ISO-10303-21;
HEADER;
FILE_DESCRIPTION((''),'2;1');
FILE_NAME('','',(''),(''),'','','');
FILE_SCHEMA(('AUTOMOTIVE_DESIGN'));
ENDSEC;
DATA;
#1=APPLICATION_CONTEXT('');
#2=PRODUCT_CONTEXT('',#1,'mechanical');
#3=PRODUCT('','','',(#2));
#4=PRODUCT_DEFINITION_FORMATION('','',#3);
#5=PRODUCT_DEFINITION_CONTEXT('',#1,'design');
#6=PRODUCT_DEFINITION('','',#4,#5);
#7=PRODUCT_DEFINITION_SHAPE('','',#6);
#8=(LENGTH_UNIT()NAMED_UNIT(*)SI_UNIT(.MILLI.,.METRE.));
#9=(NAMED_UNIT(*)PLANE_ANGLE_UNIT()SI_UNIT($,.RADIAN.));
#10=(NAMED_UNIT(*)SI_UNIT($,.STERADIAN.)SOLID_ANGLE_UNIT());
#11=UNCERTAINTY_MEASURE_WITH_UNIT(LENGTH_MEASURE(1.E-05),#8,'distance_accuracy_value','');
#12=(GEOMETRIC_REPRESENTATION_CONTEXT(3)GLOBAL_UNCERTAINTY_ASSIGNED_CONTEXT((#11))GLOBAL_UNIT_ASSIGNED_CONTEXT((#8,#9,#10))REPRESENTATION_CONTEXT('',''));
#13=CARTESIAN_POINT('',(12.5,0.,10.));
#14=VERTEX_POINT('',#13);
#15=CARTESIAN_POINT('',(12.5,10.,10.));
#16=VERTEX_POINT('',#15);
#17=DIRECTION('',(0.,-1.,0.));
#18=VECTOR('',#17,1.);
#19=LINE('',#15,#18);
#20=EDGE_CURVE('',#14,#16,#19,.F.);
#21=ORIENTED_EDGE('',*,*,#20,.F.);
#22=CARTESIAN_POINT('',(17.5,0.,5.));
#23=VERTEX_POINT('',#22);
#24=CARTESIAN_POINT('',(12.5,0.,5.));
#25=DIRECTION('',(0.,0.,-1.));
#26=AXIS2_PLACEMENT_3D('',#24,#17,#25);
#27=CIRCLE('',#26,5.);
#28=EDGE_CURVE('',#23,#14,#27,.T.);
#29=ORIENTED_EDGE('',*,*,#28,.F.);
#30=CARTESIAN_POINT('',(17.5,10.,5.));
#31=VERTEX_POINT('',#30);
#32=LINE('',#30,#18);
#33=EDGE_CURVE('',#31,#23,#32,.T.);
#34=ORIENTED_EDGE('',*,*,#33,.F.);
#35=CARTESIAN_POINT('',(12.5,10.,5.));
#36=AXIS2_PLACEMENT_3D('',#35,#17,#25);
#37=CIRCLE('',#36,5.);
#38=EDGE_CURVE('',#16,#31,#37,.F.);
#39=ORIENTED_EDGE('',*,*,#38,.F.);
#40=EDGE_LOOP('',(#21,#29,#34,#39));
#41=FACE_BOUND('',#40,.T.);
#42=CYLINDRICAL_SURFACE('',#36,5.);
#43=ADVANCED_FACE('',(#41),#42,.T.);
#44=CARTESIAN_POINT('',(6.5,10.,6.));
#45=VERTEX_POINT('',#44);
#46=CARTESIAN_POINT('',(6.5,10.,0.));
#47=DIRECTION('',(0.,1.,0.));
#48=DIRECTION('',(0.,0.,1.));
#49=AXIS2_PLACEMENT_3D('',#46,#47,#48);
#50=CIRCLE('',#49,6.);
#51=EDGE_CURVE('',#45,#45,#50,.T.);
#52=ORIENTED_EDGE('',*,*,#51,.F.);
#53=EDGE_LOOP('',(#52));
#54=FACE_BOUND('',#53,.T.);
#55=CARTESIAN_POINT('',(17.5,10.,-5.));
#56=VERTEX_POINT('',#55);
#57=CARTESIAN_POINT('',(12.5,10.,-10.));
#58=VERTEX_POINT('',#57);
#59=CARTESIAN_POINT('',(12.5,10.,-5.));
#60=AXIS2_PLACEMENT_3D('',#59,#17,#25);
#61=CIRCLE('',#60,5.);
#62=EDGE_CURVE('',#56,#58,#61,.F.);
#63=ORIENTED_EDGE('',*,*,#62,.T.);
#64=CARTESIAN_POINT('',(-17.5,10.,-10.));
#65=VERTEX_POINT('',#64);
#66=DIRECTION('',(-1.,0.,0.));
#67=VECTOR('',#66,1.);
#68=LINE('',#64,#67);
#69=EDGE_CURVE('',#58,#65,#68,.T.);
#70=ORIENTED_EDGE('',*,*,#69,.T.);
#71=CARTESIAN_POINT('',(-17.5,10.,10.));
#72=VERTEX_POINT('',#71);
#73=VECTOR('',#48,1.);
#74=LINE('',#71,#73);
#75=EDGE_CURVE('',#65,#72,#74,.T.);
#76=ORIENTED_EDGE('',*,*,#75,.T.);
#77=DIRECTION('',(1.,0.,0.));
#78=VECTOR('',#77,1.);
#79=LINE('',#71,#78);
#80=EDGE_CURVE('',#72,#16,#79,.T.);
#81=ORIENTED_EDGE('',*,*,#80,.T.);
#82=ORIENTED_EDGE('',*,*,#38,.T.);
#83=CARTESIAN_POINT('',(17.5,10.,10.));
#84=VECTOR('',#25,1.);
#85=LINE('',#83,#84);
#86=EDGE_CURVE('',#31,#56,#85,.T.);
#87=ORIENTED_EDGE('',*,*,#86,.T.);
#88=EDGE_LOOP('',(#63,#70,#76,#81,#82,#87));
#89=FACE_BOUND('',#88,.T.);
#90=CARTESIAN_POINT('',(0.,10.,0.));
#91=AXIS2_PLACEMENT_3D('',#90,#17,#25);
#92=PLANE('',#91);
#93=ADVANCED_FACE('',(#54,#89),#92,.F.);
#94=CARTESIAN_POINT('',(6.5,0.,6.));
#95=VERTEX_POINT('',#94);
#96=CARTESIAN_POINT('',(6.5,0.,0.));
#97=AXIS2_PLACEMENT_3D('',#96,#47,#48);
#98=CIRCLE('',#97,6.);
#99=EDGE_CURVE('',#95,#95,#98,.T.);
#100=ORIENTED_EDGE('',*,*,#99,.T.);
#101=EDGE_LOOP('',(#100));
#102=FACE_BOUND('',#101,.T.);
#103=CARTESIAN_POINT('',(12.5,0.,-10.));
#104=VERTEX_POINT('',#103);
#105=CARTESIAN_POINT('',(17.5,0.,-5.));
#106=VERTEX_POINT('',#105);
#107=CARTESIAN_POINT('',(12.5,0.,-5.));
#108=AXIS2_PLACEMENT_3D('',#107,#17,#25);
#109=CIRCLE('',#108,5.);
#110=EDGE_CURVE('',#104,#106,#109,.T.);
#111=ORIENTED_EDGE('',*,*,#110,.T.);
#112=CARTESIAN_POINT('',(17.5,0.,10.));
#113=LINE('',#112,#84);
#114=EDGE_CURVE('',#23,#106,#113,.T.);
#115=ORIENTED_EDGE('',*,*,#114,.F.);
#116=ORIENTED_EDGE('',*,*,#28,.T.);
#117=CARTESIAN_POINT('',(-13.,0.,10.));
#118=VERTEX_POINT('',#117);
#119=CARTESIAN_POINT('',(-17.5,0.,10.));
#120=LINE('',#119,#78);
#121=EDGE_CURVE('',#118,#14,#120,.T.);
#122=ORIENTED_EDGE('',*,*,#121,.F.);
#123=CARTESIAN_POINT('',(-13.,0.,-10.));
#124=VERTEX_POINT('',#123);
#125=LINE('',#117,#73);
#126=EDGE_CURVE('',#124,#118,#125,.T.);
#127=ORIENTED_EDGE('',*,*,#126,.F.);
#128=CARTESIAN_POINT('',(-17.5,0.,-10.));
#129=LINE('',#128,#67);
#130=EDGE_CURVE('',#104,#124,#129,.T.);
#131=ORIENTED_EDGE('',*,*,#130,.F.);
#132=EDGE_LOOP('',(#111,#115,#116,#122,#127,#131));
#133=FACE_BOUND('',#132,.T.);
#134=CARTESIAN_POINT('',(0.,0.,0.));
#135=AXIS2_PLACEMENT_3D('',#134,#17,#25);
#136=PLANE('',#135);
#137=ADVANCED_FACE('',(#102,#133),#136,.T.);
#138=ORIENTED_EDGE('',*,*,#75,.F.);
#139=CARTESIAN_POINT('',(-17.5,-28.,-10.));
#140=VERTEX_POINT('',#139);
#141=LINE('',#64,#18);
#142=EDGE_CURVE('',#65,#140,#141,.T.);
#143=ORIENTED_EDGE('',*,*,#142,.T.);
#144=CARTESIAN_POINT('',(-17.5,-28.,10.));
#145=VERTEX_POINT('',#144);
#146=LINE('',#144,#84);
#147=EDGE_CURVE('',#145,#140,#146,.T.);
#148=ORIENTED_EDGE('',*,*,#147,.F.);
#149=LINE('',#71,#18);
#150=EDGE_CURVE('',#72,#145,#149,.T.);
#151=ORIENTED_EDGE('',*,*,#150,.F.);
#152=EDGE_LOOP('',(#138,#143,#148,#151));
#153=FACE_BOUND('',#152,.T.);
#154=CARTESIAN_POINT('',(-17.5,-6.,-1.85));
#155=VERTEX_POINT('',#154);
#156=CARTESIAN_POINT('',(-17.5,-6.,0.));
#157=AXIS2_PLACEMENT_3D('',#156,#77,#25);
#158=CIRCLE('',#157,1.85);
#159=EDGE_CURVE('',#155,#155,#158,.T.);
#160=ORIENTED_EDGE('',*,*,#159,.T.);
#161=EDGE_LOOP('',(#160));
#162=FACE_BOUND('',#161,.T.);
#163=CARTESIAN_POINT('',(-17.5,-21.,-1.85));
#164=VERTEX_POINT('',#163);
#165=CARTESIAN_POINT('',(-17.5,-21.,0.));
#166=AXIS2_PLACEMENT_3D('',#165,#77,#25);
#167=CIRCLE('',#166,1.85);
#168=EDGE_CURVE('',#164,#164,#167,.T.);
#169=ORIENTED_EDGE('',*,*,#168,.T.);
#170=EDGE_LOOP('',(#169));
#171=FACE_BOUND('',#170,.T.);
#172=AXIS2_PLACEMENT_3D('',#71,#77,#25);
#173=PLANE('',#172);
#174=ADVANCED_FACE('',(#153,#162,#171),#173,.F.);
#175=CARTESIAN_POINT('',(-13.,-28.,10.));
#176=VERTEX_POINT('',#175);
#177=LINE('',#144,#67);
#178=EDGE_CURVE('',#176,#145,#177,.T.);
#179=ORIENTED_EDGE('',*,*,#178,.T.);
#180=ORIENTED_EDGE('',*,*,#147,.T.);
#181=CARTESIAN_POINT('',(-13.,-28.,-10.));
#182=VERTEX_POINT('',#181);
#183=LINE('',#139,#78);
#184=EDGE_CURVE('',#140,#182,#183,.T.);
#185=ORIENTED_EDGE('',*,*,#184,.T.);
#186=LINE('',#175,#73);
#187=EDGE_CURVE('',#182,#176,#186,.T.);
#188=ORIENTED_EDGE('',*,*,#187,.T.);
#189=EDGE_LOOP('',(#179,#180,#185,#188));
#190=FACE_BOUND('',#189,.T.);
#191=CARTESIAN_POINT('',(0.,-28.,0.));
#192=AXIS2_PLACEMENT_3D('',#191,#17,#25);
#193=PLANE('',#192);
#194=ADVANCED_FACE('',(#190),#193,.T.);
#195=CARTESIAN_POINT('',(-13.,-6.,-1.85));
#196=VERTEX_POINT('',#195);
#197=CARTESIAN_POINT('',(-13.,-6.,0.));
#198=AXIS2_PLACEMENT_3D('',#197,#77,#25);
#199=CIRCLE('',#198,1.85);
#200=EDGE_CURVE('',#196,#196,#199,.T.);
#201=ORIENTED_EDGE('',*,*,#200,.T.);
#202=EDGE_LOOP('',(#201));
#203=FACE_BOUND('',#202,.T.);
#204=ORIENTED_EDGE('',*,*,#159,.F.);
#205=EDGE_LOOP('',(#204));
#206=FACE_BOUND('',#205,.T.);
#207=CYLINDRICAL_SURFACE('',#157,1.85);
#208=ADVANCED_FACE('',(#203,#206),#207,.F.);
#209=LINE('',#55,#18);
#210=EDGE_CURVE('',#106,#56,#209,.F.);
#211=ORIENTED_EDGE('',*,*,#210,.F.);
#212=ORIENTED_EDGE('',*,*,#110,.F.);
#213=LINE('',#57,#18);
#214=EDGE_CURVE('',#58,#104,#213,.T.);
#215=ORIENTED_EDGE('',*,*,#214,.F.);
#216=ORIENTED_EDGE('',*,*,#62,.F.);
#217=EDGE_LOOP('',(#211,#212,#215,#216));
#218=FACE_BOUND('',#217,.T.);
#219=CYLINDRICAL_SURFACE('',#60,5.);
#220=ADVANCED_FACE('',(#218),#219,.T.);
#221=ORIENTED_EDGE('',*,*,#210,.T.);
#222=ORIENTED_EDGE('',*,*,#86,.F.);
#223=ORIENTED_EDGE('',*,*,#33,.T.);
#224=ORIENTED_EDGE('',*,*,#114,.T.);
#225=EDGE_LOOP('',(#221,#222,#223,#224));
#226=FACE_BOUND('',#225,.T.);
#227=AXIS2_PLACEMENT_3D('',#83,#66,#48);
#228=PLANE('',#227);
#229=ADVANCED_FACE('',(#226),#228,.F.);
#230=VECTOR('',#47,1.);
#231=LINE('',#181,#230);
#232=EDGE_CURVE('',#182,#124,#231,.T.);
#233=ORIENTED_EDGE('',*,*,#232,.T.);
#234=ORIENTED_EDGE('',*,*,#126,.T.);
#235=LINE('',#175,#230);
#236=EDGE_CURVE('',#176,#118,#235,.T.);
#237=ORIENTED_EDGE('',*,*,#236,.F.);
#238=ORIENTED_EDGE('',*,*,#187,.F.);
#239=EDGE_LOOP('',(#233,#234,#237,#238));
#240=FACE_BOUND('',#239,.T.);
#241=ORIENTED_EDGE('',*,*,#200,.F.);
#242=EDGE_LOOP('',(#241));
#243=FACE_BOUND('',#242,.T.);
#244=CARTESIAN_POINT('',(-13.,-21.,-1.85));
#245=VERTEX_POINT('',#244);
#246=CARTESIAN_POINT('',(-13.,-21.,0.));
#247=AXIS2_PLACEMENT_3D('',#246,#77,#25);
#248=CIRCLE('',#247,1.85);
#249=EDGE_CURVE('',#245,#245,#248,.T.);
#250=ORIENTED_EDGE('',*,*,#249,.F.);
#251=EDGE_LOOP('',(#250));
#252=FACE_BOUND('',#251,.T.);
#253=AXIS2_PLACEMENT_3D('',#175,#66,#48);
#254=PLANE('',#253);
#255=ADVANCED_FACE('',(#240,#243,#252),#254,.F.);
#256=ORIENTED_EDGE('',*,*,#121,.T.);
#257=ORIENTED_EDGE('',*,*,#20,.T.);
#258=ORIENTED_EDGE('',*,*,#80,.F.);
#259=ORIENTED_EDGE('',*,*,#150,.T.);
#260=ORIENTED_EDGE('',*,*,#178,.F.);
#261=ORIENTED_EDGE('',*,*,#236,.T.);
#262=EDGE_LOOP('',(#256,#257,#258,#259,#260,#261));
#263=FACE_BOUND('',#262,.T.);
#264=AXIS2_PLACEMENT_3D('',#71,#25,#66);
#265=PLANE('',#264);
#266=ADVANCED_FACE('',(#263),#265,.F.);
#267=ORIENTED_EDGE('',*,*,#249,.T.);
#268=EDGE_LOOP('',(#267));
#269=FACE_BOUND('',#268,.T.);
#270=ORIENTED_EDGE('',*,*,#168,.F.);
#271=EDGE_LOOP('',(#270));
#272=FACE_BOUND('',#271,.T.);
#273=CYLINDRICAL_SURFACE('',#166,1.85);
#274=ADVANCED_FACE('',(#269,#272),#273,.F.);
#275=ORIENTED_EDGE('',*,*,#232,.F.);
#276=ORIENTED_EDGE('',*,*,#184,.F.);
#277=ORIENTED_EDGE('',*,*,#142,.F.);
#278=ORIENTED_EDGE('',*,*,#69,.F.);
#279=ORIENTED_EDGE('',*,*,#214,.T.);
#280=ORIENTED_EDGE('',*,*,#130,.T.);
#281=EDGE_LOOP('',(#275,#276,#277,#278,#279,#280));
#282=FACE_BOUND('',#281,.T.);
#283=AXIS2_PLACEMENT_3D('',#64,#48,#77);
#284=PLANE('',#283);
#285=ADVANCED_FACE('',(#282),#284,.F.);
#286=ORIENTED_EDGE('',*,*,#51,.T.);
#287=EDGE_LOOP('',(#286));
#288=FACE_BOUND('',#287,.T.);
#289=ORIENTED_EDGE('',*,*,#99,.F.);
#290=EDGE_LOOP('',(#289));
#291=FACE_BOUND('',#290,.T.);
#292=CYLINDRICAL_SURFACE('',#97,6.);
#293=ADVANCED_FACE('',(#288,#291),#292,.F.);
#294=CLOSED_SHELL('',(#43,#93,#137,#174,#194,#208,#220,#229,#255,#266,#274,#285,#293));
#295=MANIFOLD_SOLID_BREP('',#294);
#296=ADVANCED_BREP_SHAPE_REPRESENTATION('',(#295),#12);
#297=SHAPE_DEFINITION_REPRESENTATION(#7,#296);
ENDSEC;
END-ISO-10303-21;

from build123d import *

# Parameters (mm, degrees)
SKETCH1_W           = 35
SKETCH1_H           = 20
BOSS_EXTRUDE1_DEPTH = 10
FILLET1_R           = 5
SKETCH4_R           = 6
CUT_EXTRUDE2_DEPTH  = 23.5
SKETCH5_W           = 4.5
SKETCH5_H           = 20
BOSS_EXTRUDE3_DEPTH = 28
SKETCH6_R           = 1.85
CUT_EXTRUDE3_DEPTH  = 43.594013664


with BuildPart() as part:
    # Sketch1 → Boss-Extrude1 (new body)
    with BuildSketch(Plane(origin=(0, 0, 0), x_dir=(1, 0, 0), z_dir=(0, 1, 0))):
        Rectangle(SKETCH1_W, SKETCH1_H)
    extrude(amount=BOSS_EXTRUDE1_DEPTH)

    # Fillet1
    fillet1_edges = [part.edges().sort_by_distance(p)[0] for p in [
        (17.5, 5, 10),
        (17.5, 5, -10),
    ]]
    fillet(fillet1_edges, radius=FILLET1_R)

    # Sketch4 → Cut-Extrude2 (cut, through all)
    with BuildSketch(Plane(origin=(0, 10, 0), x_dir=(1, 0, 0), z_dir=(0, 1, 0))):
        with Locations(Location((6.5, 0, 0), (0, 0, 270))):
            Circle(SKETCH4_R)
    extrude(amount=-CUT_EXTRUDE2_DEPTH, mode=Mode.SUBTRACT)

    # Sketch5 → Boss-Extrude3 (add)
    with BuildSketch(Plane.XZ):
        with Locations((-15.25, 0)):
            Rectangle(SKETCH5_W, SKETCH5_H)
    extrude(amount=BOSS_EXTRUDE3_DEPTH)

    # Sketch6 → Cut-Extrude3 (cut, through all)
    with BuildSketch(Plane(origin=(-13, 0, 0), x_dir=(0, 0, -1), z_dir=(1, 0, 0))):
        with Locations((0, -6)):
            Circle(SKETCH6_R)
        with Locations((0, -21)):
            Circle(SKETCH6_R)
    extrude(amount=-CUT_EXTRUDE3_DEPTH, mode=Mode.SUBTRACT)


solid = part.part
